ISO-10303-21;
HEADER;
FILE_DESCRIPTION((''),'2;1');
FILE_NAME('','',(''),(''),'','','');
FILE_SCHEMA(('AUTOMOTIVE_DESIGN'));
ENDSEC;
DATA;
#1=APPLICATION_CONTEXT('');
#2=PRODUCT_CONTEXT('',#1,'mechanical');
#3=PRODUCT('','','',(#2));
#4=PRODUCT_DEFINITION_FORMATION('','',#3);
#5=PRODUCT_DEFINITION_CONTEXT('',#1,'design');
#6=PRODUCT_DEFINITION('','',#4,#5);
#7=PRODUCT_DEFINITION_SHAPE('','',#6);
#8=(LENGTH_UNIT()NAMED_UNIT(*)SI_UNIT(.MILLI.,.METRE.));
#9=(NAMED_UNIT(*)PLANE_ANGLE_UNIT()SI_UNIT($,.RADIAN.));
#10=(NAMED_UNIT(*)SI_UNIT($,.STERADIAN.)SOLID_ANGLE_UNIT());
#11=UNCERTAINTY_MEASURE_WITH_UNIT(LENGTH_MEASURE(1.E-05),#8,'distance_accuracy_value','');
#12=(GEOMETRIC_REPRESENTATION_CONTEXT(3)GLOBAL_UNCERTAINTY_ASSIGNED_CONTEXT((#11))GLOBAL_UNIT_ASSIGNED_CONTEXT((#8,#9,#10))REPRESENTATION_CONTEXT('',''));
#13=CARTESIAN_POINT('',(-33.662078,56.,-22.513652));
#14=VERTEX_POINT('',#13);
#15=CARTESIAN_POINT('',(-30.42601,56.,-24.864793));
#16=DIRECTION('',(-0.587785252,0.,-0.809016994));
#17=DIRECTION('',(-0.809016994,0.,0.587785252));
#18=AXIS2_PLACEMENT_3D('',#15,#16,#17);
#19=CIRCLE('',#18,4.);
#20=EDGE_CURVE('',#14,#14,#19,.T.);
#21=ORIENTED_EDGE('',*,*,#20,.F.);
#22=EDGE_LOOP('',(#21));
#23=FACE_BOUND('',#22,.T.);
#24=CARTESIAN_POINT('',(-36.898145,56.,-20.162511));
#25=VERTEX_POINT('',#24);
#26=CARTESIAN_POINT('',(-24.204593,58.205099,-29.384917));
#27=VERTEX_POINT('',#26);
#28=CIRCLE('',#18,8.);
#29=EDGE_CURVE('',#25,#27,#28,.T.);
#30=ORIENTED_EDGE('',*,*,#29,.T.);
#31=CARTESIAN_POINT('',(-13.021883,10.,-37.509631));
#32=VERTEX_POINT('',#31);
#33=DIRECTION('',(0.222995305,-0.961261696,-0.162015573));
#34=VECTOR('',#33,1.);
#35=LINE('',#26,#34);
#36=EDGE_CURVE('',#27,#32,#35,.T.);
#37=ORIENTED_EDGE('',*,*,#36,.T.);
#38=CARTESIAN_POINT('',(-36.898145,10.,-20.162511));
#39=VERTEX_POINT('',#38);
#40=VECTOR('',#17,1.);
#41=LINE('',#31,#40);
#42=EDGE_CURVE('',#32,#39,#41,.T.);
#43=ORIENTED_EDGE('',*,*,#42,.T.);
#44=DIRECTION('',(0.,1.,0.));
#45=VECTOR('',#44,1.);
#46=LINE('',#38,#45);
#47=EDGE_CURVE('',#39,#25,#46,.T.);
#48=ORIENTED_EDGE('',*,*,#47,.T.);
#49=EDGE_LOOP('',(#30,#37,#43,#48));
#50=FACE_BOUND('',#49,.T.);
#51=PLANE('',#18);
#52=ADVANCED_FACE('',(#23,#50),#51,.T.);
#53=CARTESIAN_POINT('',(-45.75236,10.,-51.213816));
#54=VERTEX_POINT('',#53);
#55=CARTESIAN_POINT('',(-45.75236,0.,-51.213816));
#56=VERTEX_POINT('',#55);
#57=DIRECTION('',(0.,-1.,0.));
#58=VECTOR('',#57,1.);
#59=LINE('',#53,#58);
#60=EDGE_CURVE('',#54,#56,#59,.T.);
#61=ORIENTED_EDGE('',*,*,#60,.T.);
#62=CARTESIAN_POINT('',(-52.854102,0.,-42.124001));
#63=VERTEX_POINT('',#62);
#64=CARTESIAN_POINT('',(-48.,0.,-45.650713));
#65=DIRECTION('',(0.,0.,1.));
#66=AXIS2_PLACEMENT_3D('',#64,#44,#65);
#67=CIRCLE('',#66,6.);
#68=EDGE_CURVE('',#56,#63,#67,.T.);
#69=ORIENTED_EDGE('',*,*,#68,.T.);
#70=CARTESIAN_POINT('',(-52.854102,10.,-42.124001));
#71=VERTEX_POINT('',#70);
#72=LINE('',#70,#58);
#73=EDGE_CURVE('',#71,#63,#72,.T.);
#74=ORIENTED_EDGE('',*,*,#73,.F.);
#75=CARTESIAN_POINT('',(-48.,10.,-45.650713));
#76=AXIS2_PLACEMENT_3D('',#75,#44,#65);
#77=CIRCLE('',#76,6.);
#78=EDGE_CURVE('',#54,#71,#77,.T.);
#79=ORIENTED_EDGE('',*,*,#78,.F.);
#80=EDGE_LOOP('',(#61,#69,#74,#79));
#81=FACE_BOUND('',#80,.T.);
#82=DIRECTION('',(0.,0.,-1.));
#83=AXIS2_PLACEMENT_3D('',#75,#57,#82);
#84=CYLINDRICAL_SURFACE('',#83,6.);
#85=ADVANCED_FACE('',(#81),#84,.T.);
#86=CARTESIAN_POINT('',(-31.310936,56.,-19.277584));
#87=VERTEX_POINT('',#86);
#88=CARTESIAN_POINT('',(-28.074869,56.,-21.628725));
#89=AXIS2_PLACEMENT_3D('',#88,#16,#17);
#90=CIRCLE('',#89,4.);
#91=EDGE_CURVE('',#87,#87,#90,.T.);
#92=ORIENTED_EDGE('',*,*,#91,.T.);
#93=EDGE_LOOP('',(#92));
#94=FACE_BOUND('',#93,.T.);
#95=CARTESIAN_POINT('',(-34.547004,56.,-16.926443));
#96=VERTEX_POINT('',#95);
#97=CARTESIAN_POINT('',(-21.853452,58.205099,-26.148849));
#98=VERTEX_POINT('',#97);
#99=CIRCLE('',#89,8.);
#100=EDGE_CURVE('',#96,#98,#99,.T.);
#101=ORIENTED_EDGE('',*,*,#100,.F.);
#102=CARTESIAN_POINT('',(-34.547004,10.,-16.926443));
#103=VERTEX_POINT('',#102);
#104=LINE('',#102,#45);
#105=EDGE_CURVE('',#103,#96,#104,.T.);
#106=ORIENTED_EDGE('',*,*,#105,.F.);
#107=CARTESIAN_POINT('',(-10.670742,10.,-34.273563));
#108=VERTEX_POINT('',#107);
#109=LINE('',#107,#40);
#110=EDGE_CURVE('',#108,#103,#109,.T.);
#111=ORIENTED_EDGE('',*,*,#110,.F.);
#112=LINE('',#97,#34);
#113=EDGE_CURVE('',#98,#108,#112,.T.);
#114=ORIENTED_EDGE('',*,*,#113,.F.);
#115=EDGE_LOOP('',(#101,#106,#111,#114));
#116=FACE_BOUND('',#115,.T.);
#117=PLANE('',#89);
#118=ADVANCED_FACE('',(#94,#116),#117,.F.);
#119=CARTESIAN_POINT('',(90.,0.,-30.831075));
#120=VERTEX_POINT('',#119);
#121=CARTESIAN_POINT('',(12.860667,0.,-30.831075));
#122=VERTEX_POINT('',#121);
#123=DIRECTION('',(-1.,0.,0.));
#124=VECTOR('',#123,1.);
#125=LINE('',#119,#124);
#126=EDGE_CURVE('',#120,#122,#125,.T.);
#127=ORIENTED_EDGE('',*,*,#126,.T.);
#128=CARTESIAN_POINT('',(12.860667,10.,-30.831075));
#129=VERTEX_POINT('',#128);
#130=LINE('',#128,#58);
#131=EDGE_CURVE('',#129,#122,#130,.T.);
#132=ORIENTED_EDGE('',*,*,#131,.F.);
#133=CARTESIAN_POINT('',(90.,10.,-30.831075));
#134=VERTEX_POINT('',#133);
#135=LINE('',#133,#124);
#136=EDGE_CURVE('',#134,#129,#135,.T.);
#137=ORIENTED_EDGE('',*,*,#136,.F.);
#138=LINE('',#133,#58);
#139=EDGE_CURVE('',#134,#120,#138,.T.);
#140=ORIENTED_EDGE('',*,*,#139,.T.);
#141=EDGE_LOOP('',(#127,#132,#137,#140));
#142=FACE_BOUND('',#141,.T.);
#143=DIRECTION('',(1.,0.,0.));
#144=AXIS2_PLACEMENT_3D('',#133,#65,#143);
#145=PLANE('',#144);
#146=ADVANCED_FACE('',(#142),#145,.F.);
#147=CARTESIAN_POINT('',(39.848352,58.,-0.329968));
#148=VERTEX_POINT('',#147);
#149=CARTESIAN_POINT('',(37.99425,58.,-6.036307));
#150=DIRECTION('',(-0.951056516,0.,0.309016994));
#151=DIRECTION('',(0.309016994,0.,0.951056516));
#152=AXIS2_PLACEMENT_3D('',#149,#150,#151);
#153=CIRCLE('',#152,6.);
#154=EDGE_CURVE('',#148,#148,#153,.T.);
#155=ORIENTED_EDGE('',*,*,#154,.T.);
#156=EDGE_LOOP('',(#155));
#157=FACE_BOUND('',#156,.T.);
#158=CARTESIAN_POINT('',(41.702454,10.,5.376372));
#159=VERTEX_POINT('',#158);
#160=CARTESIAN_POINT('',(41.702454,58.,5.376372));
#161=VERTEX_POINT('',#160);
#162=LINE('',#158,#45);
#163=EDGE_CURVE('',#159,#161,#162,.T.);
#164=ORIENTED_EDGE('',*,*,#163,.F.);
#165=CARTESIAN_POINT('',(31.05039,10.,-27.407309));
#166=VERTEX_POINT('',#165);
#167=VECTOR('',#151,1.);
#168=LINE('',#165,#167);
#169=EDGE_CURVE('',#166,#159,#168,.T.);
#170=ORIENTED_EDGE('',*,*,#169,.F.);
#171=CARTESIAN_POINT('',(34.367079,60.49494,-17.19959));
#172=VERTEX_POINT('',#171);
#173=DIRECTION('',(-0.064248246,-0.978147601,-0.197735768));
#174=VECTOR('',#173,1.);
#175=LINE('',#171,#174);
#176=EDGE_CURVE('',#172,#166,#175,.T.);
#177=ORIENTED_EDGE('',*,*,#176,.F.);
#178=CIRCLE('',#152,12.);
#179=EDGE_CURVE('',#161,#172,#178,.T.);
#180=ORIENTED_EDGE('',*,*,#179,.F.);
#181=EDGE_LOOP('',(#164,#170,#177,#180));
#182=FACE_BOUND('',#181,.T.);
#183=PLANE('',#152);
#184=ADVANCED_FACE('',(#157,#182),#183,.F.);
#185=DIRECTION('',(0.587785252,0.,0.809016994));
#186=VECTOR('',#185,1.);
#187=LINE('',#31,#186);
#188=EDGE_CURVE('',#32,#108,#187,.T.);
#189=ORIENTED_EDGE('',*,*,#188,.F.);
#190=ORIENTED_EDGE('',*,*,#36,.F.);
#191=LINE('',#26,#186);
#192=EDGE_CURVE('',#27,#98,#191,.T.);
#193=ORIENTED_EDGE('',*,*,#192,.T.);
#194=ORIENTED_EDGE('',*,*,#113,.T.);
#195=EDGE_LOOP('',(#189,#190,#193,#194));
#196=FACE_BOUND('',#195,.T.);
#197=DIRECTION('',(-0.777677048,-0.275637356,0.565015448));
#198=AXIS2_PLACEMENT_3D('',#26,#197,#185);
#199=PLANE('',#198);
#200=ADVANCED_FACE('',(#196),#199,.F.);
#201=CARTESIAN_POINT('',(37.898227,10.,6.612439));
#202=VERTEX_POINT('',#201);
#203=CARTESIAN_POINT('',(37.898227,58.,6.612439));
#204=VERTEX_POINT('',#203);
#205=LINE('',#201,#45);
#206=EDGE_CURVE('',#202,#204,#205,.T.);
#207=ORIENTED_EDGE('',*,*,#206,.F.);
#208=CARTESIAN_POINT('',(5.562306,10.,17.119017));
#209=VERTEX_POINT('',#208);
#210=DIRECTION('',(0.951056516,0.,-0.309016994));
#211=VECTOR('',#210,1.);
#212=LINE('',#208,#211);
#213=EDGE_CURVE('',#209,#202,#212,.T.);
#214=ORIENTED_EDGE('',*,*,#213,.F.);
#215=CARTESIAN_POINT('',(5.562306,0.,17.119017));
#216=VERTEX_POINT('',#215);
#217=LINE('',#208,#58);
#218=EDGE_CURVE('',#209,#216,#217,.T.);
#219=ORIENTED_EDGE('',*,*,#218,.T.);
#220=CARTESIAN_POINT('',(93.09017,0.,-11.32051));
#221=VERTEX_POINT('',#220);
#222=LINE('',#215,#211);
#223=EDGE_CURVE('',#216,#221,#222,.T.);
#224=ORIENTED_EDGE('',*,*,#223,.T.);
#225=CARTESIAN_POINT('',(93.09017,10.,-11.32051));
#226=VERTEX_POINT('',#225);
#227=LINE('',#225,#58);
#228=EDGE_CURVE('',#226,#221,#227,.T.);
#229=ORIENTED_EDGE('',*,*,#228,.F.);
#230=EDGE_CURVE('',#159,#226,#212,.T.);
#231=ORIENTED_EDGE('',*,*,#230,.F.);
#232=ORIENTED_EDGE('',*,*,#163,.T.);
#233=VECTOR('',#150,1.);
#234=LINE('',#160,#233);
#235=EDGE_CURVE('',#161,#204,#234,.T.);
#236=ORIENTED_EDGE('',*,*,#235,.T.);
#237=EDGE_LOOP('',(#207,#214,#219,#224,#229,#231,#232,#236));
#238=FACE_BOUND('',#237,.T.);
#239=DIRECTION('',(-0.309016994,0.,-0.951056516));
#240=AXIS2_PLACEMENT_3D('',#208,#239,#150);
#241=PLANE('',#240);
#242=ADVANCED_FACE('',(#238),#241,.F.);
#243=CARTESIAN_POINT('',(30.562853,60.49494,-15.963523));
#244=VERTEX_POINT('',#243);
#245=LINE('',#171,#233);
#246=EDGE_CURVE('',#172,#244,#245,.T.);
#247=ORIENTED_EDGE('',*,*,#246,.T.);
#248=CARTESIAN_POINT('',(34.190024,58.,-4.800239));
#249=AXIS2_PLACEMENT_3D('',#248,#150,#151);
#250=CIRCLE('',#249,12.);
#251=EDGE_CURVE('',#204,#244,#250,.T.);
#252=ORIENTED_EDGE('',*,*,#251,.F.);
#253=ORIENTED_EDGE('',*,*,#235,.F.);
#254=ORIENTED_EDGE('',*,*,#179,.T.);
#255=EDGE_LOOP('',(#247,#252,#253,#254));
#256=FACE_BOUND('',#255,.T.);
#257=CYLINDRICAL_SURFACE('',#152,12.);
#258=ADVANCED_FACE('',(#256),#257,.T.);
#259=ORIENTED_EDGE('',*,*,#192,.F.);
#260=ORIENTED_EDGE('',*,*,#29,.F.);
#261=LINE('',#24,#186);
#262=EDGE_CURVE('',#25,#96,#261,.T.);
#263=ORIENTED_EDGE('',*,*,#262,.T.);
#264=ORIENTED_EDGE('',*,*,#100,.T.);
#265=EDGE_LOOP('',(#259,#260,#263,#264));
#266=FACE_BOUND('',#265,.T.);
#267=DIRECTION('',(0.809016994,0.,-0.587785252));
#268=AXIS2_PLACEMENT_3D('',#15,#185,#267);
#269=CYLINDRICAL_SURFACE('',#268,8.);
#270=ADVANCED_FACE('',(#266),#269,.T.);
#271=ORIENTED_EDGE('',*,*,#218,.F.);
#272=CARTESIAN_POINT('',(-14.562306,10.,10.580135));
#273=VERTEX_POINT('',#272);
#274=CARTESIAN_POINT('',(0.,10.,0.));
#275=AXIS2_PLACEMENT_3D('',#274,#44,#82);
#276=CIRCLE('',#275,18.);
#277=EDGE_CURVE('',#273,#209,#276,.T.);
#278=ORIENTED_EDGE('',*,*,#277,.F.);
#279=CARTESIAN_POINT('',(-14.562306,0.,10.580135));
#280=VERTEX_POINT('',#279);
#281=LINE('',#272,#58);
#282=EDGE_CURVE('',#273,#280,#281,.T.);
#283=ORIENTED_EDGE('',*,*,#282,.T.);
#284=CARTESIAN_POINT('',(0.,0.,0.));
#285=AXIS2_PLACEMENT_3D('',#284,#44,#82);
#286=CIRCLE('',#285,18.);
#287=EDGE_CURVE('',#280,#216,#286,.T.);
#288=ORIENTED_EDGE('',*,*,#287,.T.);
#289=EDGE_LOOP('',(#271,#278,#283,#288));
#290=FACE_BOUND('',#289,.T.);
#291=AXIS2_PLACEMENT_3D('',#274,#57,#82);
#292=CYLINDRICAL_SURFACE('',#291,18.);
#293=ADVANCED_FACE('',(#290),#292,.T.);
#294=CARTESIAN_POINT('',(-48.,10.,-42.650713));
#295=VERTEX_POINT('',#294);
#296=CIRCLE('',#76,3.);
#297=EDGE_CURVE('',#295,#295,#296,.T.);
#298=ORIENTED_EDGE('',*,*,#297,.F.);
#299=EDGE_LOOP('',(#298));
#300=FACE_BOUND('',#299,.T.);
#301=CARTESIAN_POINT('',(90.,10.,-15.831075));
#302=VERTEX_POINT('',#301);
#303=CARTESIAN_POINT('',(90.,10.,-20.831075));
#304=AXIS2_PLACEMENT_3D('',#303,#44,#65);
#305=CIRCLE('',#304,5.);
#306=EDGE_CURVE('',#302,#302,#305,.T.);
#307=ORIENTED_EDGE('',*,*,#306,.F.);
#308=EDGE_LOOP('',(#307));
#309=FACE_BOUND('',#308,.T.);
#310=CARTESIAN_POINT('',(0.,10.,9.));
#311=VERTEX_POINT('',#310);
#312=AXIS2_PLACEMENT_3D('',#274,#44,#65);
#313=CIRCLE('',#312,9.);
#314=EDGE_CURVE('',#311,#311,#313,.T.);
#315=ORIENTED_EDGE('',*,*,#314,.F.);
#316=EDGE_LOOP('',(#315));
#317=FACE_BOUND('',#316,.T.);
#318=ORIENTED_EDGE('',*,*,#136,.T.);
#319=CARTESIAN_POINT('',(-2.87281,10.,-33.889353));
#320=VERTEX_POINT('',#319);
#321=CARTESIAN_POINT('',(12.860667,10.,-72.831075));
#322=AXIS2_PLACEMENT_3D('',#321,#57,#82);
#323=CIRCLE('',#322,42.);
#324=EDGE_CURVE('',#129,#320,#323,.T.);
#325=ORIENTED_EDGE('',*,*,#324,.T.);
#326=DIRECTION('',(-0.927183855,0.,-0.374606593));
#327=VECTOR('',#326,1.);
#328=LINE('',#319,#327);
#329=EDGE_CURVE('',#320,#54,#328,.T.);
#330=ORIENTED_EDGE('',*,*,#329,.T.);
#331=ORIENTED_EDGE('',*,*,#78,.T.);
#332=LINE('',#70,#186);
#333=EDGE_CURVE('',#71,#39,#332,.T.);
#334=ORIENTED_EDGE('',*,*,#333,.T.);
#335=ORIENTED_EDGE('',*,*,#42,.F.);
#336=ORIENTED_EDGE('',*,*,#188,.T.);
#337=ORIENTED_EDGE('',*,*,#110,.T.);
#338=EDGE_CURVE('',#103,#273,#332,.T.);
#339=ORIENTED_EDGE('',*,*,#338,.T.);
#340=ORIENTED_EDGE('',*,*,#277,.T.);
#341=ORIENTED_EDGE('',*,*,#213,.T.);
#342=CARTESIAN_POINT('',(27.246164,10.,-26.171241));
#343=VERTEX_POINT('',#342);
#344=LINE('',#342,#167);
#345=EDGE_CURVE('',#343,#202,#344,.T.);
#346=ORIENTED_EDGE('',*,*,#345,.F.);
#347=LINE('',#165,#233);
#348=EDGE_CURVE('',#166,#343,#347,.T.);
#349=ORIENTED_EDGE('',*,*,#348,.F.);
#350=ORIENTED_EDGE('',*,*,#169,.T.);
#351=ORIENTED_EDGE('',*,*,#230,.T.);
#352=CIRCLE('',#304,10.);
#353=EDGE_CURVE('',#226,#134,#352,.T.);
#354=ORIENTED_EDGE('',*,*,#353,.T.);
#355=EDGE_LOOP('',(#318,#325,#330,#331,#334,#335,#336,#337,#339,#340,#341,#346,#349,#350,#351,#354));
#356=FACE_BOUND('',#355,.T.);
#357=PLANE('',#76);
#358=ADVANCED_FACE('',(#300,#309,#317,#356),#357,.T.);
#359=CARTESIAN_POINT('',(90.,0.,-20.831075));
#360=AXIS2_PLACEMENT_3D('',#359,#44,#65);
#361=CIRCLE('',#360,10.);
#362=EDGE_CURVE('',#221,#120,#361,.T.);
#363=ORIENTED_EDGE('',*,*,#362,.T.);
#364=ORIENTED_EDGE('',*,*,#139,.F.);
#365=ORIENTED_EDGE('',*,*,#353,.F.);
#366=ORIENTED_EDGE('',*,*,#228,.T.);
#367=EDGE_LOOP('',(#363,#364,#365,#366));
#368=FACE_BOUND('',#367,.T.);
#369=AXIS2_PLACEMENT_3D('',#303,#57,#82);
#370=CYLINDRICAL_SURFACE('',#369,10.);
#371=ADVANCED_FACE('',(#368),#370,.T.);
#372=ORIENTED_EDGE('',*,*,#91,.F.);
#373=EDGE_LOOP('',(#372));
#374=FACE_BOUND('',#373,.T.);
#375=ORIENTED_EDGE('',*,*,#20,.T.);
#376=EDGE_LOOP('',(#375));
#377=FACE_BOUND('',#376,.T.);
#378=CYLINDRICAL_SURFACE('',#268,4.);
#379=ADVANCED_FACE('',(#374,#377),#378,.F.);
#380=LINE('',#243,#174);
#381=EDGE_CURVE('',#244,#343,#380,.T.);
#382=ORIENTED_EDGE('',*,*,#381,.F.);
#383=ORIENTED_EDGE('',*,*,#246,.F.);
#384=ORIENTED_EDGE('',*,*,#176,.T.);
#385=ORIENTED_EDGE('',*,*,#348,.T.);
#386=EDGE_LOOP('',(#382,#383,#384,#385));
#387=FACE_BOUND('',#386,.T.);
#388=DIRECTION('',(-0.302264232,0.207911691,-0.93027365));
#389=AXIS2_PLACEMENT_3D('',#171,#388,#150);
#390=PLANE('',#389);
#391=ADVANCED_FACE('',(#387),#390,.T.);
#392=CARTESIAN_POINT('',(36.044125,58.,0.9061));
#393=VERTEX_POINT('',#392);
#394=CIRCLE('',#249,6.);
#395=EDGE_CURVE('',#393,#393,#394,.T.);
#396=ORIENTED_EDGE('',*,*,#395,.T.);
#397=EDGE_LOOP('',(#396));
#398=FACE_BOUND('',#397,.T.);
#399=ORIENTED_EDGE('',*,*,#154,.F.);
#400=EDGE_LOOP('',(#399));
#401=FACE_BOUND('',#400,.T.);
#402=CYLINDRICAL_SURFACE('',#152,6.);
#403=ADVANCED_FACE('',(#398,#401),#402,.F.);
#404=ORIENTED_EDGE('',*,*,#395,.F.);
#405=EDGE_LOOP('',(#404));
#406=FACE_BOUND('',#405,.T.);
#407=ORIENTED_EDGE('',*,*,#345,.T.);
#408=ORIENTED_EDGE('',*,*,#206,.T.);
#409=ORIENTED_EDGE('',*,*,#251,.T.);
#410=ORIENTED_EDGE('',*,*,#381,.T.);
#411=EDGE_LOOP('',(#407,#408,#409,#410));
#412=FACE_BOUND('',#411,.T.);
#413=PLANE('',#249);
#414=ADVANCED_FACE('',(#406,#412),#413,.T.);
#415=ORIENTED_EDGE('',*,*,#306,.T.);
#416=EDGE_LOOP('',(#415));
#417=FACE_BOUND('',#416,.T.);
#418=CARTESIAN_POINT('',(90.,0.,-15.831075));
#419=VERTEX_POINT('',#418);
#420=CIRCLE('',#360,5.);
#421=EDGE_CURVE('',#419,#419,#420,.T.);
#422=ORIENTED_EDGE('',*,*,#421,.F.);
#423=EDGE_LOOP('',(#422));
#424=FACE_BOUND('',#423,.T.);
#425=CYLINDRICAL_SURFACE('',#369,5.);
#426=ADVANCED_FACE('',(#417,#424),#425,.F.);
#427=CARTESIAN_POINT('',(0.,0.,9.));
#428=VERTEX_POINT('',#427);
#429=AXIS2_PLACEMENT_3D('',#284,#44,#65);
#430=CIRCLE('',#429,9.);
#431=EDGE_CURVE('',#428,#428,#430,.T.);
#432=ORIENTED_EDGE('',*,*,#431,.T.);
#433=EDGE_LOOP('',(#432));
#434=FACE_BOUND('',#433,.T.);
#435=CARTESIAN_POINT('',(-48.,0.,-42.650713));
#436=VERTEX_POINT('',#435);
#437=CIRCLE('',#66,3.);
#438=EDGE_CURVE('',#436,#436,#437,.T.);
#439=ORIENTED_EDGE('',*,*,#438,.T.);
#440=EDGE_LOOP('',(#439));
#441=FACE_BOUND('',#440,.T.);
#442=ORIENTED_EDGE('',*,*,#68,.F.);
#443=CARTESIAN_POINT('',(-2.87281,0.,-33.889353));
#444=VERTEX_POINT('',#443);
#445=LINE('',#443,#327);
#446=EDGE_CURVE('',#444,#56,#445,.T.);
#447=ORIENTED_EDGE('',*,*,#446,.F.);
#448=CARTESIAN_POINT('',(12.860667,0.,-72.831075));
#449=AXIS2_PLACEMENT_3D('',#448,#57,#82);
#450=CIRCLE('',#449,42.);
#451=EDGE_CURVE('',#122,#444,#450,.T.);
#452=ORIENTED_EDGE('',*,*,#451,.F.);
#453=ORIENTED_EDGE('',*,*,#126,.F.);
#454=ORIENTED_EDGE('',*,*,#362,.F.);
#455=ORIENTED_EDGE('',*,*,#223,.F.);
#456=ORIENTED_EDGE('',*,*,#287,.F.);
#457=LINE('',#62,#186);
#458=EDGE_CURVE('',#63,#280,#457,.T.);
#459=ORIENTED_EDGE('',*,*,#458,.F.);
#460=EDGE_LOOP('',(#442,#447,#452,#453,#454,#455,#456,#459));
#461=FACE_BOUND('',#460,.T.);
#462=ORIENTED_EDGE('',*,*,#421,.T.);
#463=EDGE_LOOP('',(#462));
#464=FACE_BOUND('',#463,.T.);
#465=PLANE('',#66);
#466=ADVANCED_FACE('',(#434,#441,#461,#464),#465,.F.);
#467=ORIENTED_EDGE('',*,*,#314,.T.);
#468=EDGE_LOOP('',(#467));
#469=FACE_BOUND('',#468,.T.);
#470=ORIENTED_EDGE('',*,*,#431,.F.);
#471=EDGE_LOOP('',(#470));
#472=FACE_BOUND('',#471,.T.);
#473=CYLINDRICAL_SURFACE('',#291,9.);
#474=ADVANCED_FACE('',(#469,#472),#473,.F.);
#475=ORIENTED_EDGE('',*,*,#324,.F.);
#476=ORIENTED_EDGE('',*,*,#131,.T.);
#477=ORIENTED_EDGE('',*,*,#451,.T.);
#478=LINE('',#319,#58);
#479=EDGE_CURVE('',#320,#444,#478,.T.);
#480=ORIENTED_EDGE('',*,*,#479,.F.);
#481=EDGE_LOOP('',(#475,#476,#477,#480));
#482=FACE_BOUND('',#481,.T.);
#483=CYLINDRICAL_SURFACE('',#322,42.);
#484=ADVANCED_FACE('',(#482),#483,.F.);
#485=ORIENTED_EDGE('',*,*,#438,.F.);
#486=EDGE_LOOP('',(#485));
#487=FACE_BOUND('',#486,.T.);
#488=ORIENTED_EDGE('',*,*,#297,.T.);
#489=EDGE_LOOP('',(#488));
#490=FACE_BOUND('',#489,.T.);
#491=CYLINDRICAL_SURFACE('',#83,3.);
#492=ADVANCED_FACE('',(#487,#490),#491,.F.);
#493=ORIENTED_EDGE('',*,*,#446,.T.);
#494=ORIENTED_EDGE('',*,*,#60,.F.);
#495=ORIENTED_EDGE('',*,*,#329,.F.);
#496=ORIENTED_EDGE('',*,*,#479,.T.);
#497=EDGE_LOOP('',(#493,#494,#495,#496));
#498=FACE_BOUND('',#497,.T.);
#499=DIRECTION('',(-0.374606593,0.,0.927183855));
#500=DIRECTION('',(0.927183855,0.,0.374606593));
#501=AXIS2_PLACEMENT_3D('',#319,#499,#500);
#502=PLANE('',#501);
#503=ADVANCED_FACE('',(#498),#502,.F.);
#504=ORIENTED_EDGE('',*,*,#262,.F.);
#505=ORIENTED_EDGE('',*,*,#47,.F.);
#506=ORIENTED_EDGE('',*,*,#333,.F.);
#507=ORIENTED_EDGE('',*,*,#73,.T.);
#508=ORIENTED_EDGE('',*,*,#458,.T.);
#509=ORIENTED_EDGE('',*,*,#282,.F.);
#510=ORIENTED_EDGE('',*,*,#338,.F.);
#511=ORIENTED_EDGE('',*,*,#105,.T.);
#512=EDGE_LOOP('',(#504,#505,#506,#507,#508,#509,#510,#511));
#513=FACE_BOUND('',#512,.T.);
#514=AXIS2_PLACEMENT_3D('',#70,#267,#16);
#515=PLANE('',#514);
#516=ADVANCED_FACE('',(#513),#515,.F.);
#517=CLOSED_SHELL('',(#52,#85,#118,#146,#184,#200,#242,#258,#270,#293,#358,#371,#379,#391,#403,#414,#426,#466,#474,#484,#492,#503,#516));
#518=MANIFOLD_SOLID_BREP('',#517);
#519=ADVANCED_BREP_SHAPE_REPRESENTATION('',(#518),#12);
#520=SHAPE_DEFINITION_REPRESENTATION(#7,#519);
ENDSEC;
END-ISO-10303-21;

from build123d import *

# Parameters (mm, degrees)
SKETCH1_R           = 9
SKETCH1_R_2         = 3
SKETCH1_R_3         = 5
BOSS_EXTRUDE1_DEPTH = 10
SKETCH_L_R          = 6
BOSS_EXTRUDE2_DEPTH = 4
SKETCH6_R           = 4
BOSS_EXTRUDE3_DEPTH = 4


with BuildPart() as part:
    # Sketch1 → Boss-Extrude1 (new body)
    with BuildSketch(Plane(origin=(0, 0, 0), x_dir=(1, 0, 0), z_dir=(0, 1, 0))):
        with BuildLine():
            Line((5.562305899, -17.119017293), (93.090169944, 11.320509704))
            ThreePointArc((93.090169944, 11.320509704), (99.876883406, 22.395419517), (90, 30.831074867))
            Line((90, 30.831074867), (12.860666935, 30.831074867))
            ThreePointArc((12.860666935, 30.831074867), (4.846689129, 31.602733162), (-2.872809988, 33.889352975))
            Line((-2.872809988, 33.889352975), (-45.75236044, 51.21381591))
            ThreePointArc((-45.75236044, 51.21381591), (-52.728064522, 49.344681634), (-52.854101966, 42.124001268))
            Line((-52.854101966, 42.124001268), (-14.562305899, -10.580134541))
            ThreePointArc((-14.562305899, -10.580134541), (-5.562305899, -17.119017293), (5.562305899, -17.119017293))
        make_face()
        with Locations(Location((0, 0, 0), (0, 0, 270))):
            Circle(SKETCH1_R, mode=Mode.SUBTRACT)
        with Locations(Location((-48, 45.650712782, 0), (0, 0, 270))):
            Circle(SKETCH1_R_2, mode=Mode.SUBTRACT)
        with Locations(Location((90, 20.831074867, 0), (0, 0, 270))):
            Circle(SKETCH1_R_3, mode=Mode.SUBTRACT)
    extrude(amount=BOSS_EXTRUDE1_DEPTH)

    # Sketch l → Boss-Extrude2 (add)
    with BuildSketch(Plane(origin=(32.335921554, 0, -10.506577809), x_dir=(0, -1, 0), z_dir=(-0.9510565162951555, 0, 0.3090169943749418))):
        with BuildLine():
            Line((-10, 18), (-58, 18))
            ThreePointArc((-58, 18), (-69.934262744, 7.254341559), (-60.49494029, -5.737771209))
            Line((-60.49494029, -5.737771209), (-10, -16.470802099))
            Line((-10, -16.470802099), (-10, 18))
        make_face()
        with Locations(Location((-58, 6, 0), (0, 0, 90))):
            Circle(SKETCH_L_R, mode=Mode.SUBTRACT)
    extrude(amount=-BOSS_EXTRUDE2_DEPTH)

    # Sketch6 → Boss-Extrude3 (add)
    with BuildSketch(Plane(origin=(-19.984698578, 0, -27.506577809), x_dir=(0, -1, 0), z_dir=(-0.5877852522924776, 0, -0.8090169943749442))):
        with BuildLine():
            Line((-10, 18), (-56, 18))
            ThreePointArc((-56, 18), (-63.92214455, 11.113384808), (-58.205098847, 2.309906432))
            Line((-58.205098847, 2.309906432), (-10, -11.512683232))
            Line((-10, -11.512683232), (-10, 18))
        make_face()
        with Locations(Location((-56, 10, 0), (0, 0, 90))):
            Circle(SKETCH6_R, mode=Mode.SUBTRACT)
    extrude(amount=BOSS_EXTRUDE3_DEPTH)


solid = part.part
